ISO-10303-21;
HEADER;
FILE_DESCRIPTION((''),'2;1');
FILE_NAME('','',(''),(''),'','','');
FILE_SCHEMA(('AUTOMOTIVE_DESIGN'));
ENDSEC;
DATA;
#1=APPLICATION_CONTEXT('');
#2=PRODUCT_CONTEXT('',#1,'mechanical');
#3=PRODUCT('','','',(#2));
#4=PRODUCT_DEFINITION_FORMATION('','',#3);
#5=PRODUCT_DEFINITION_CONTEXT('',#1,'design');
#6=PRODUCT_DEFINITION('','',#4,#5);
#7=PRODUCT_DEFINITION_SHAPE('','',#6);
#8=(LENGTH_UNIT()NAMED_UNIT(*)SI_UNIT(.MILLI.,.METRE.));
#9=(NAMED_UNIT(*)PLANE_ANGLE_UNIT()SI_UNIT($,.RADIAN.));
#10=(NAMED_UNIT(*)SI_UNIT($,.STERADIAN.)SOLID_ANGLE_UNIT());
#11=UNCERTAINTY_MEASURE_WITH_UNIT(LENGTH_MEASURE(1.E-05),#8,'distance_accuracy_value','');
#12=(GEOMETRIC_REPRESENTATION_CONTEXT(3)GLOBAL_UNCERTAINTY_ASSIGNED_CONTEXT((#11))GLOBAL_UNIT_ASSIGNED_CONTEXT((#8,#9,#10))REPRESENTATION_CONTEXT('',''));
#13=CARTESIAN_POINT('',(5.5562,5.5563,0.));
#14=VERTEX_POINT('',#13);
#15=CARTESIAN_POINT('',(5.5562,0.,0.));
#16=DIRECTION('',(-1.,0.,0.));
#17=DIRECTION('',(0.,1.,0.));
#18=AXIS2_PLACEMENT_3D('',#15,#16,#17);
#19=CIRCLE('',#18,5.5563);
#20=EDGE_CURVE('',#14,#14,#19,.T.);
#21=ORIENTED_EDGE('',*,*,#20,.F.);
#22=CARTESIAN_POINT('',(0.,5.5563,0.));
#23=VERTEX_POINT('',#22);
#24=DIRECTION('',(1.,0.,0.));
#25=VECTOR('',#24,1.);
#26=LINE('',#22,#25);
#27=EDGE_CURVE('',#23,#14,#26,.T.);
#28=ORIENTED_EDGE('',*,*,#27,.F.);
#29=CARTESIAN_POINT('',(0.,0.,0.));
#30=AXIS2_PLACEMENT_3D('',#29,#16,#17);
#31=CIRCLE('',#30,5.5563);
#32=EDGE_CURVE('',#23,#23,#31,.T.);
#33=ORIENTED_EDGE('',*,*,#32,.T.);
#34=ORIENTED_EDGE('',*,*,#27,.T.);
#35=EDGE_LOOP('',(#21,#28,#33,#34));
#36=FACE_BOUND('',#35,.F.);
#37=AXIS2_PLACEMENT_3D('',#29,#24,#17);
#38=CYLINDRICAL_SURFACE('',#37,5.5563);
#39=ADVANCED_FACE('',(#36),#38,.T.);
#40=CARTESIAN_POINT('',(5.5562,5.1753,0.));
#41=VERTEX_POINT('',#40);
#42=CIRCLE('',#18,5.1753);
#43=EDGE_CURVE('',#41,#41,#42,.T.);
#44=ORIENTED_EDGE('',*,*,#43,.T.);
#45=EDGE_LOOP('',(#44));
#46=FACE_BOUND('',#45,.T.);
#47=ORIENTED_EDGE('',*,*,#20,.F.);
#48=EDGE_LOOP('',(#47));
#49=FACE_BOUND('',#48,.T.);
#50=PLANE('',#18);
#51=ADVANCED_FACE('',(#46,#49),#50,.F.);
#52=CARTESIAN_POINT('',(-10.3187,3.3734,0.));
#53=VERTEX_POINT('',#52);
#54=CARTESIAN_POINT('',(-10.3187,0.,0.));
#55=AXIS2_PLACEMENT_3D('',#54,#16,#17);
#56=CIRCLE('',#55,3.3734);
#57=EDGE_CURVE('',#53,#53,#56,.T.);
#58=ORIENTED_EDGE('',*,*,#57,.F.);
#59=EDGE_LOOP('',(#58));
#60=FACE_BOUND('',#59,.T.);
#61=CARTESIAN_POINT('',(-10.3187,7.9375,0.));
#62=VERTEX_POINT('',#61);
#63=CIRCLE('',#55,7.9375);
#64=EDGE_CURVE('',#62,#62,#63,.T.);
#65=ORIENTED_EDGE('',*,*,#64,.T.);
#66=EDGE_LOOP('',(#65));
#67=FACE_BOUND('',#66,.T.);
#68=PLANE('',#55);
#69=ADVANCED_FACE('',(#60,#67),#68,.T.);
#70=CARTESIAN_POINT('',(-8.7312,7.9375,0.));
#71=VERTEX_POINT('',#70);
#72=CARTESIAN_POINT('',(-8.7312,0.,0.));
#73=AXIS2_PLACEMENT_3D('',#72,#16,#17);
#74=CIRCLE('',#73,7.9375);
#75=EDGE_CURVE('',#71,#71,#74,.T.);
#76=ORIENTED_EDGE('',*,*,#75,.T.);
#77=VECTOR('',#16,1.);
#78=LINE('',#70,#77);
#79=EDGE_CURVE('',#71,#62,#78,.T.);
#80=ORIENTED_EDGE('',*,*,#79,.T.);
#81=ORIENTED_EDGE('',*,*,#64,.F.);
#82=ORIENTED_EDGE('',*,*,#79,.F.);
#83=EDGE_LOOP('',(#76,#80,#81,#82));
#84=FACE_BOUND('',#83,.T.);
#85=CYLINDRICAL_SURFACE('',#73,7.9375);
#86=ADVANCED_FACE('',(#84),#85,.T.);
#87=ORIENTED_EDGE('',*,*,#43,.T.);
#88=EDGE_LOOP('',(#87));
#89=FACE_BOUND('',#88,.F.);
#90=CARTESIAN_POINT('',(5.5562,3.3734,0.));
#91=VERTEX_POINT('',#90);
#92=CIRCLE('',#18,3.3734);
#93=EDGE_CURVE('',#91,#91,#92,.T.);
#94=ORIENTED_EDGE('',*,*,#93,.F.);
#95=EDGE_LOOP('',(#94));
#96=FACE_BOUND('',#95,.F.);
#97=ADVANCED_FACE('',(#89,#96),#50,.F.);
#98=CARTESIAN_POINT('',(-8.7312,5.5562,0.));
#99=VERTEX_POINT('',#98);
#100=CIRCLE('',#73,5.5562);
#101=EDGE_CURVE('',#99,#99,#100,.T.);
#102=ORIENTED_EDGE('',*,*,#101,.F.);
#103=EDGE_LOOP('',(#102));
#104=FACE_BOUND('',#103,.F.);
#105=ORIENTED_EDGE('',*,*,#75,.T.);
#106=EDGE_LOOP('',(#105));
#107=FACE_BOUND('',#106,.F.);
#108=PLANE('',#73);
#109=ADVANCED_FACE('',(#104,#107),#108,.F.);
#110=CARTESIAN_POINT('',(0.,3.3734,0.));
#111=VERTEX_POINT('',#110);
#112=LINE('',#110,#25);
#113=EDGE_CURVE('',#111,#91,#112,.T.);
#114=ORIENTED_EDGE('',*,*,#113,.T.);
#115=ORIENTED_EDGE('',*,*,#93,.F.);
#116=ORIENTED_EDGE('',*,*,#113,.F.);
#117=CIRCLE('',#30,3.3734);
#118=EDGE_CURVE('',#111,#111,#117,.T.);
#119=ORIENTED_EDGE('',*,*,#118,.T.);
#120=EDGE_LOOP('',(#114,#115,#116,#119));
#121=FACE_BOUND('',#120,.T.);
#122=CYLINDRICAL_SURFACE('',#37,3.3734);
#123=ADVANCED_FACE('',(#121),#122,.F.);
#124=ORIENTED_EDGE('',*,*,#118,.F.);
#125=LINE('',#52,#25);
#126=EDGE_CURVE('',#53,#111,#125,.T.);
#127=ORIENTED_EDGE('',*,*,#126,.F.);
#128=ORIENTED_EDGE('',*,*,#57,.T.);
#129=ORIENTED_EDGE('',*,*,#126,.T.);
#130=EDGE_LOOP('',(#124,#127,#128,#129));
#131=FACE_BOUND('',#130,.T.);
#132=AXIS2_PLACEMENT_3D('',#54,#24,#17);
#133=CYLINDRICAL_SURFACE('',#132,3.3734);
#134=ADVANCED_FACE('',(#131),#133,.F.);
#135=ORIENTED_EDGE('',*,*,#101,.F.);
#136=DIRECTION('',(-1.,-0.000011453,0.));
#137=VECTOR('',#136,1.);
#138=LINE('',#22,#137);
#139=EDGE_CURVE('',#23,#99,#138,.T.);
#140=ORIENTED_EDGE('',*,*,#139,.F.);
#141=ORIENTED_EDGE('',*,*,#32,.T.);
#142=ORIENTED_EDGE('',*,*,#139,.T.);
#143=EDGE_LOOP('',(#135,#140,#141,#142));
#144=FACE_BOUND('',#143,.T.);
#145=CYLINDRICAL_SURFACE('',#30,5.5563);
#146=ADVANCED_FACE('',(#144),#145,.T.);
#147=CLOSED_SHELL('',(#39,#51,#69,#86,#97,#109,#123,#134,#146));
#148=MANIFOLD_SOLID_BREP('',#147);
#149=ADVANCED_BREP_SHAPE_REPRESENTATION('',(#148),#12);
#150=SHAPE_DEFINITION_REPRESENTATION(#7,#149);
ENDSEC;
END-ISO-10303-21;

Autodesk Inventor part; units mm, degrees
ref_plane "YZ Plane" through (0, 0, 0) normal (1, 0, 0) x (0, 1, 0)
ref_plane "XZ Plane" through (0, 0, 0) normal (0, 1, 0) x (-1, 0, 0)
ref_plane "XY Plane" through (0, 0, 0) normal (0, 0, 1) x (1, 0, 0)
sketch "Sketch1" plane through (0, 0, 0) normal (0, 0, 1) x (1, 0, 0)
  line L0 (0, 0) -> (0, 12.7)
  line L1 (0, 5.5563) -> (5.5562, 5.5563)
  line L2 (0, 7.9375) -> (26.1937, 7.9375)
  line L3 (26.1937, 7.9375) -> (26.1937, 5.5563)
  line L4 (26.1937, 5.5563) -> (26.1937, 0)
  line L5 (26.1937, 0) -> (0, 0)
  line L6 (26.1938, 6.35) -> (34.3852, 6.35)
  line L7 (26.1937, 0) -> (34.3852, 0)
  line L8 (34.3852, 0) -> (34.3852, 6.35)
  line L9 (16.6687, 7.9375) -> (16.6687, 0)
  circle A0 centre (16.6687, 7.5565) radius 2.3813
  circle A1 centre (16.6687, 5.4928) radius 2.3813
  circle A2 centre (10.3187, 7.5565) radius 2.3813
  circle A3 centre (10.3187, 5.4928) radius 2.3813
  line L10 (10.3187, 7.9375) -> (10.3187, 0)
  line L11 (0, 5.1753) -> (26.1938, 5.1753)
  line L12 (8.7312, 5.1753) -> (8.7312, 0)
  line L13 (5.5562, 5.1753) -> (5.5562, 3.3734)
  line L14 (18.2562, 5.1753) -> (18.2562, 0)
  line L15 (21.4312, 5.1753) -> (21.4312, 0)
  line L16 (0, 3.1115) -> (26.1937, 3.1115)
  line L17 (5.5562, 3.1115) -> (8.7312, 5.1753)
  line L18 (18.2562, 5.1753) -> (21.4312, 3.1115)
  line L19 (11.9062, 5.1753) -> (11.9062, 0)
  line L20 (15.0812, 5.1753) -> (15.0812, 0)
  line L21 (11.9062, 5.1753) -> (15.0812, 3.1115)
  line L22 (21.4312, 3.3734) -> (34.3852, 3.3734)
  line L23 (24.6062, 3.3734) -> (24.6062, 0)
  line L24 (21.4312, 3.3734) -> (20.1197, 5.5563)
  line L25 (26.1937, 3.1115) -> (30.9563, 3.1115)
  line L26 (30.9563, 3.1115) -> (30.9563, 0)
  line L27 (31.75, 3.3734) -> (31.75, 0)
  line L28 (31.75, 0) -> (29.723, 3.3734)
  line L29 (0, 7.9375) -> (-8.7312, 7.9375)
  line L30 (0, 3.3734) -> (5.5562, 3.3734)
  line L31 (5.5562, 5.1753) -> (5.5562, 5.5563)
  line L32 (5.5562, 5.5563) -> (26.1937, 5.5563)
  line L33 (0, 5.5563) -> (-8.7312, 5.5562)
  line L34 (-10.3187, 7.9375) -> (-10.3187, 3.3734)
  line L35 (-10.3187, 3.3734) -> (0, 3.3734)
  line L36 (-8.7312, 7.9375) -> (-8.7312, 5.5562)
  line L37 (-8.7312, 7.9375) -> (-10.3187, 7.9375)
  line L38 (5.5562, 3.3734) -> (5.5562, 0)
  dimension "d0" = 12.7
  dimension "d1" = 5.5563
  dimension "d2" = 7.9375
  dimension "d3" = 26.1938
  dimension "d4" = 8.1915
  dimension "d5" = 6.35
  dimension "d6" = 9.525
  dimension "d7" = 6.35
  dimension "d8" = 0.381
  dimension "d9" = 0.381
  dimension "d10" = 0.0635
  dimension "d11" = 0.0635
  dimension "d12" = 1.5875
  dimension "d13" = 4.7625
  dimension "d14" = 1.5875
  dimension "d15" = 4.7625
  dimension "d16" = 3.1115
  dimension "d17" = 1.5875
  dimension "d18" = 4.7625
  dimension "d19" = 3.3734
  dimension "d20" = 3.175
  dimension "d21" = 31
  dimension "d22" = 9.525
  dimension "d23" = 9.525
  dimension "d24" = 0.7937
  dimension "d25" = 31
  dimension "d27" = 3.3734
  dimension "d33" = 4.7625
  dimension "d34" = 8.7312
  dimension "d35" = 1.5875
revolve "Revolution1" add sketch "Sketch1" angle 360 about axis through (26.1937, 0, 0) along (-1, 0, 0) contours L35 L34 L37 L36 L33 L0 | L0 L11 L13 L30 | L0 L1 L31 L11
equation "\"d1\" = d28"
equation "\"d2\" = d29"
equation "\"d8\" = d30"
equation "\"d9\" = d8"
equation "\"d10\" = d31"
equation "\"d11\" = d10"
equation "\"d16\" = d32"
equation "\"d17\" = d12"
equation "\"d18\" = d13"
equation "\"d23\" = d22"
equation "\"d25\" = d21"
equation "\"d27\" = d19"
equation "\"d28\" = 5.55625"
equation "\"d29\" = 7.9375"
equation "\"d30\" = 0.381"
equation "\"d31\" = 0.0635"
equation "\"d32\" = 3.1115"
properties part number "Output Shaft Insert"
